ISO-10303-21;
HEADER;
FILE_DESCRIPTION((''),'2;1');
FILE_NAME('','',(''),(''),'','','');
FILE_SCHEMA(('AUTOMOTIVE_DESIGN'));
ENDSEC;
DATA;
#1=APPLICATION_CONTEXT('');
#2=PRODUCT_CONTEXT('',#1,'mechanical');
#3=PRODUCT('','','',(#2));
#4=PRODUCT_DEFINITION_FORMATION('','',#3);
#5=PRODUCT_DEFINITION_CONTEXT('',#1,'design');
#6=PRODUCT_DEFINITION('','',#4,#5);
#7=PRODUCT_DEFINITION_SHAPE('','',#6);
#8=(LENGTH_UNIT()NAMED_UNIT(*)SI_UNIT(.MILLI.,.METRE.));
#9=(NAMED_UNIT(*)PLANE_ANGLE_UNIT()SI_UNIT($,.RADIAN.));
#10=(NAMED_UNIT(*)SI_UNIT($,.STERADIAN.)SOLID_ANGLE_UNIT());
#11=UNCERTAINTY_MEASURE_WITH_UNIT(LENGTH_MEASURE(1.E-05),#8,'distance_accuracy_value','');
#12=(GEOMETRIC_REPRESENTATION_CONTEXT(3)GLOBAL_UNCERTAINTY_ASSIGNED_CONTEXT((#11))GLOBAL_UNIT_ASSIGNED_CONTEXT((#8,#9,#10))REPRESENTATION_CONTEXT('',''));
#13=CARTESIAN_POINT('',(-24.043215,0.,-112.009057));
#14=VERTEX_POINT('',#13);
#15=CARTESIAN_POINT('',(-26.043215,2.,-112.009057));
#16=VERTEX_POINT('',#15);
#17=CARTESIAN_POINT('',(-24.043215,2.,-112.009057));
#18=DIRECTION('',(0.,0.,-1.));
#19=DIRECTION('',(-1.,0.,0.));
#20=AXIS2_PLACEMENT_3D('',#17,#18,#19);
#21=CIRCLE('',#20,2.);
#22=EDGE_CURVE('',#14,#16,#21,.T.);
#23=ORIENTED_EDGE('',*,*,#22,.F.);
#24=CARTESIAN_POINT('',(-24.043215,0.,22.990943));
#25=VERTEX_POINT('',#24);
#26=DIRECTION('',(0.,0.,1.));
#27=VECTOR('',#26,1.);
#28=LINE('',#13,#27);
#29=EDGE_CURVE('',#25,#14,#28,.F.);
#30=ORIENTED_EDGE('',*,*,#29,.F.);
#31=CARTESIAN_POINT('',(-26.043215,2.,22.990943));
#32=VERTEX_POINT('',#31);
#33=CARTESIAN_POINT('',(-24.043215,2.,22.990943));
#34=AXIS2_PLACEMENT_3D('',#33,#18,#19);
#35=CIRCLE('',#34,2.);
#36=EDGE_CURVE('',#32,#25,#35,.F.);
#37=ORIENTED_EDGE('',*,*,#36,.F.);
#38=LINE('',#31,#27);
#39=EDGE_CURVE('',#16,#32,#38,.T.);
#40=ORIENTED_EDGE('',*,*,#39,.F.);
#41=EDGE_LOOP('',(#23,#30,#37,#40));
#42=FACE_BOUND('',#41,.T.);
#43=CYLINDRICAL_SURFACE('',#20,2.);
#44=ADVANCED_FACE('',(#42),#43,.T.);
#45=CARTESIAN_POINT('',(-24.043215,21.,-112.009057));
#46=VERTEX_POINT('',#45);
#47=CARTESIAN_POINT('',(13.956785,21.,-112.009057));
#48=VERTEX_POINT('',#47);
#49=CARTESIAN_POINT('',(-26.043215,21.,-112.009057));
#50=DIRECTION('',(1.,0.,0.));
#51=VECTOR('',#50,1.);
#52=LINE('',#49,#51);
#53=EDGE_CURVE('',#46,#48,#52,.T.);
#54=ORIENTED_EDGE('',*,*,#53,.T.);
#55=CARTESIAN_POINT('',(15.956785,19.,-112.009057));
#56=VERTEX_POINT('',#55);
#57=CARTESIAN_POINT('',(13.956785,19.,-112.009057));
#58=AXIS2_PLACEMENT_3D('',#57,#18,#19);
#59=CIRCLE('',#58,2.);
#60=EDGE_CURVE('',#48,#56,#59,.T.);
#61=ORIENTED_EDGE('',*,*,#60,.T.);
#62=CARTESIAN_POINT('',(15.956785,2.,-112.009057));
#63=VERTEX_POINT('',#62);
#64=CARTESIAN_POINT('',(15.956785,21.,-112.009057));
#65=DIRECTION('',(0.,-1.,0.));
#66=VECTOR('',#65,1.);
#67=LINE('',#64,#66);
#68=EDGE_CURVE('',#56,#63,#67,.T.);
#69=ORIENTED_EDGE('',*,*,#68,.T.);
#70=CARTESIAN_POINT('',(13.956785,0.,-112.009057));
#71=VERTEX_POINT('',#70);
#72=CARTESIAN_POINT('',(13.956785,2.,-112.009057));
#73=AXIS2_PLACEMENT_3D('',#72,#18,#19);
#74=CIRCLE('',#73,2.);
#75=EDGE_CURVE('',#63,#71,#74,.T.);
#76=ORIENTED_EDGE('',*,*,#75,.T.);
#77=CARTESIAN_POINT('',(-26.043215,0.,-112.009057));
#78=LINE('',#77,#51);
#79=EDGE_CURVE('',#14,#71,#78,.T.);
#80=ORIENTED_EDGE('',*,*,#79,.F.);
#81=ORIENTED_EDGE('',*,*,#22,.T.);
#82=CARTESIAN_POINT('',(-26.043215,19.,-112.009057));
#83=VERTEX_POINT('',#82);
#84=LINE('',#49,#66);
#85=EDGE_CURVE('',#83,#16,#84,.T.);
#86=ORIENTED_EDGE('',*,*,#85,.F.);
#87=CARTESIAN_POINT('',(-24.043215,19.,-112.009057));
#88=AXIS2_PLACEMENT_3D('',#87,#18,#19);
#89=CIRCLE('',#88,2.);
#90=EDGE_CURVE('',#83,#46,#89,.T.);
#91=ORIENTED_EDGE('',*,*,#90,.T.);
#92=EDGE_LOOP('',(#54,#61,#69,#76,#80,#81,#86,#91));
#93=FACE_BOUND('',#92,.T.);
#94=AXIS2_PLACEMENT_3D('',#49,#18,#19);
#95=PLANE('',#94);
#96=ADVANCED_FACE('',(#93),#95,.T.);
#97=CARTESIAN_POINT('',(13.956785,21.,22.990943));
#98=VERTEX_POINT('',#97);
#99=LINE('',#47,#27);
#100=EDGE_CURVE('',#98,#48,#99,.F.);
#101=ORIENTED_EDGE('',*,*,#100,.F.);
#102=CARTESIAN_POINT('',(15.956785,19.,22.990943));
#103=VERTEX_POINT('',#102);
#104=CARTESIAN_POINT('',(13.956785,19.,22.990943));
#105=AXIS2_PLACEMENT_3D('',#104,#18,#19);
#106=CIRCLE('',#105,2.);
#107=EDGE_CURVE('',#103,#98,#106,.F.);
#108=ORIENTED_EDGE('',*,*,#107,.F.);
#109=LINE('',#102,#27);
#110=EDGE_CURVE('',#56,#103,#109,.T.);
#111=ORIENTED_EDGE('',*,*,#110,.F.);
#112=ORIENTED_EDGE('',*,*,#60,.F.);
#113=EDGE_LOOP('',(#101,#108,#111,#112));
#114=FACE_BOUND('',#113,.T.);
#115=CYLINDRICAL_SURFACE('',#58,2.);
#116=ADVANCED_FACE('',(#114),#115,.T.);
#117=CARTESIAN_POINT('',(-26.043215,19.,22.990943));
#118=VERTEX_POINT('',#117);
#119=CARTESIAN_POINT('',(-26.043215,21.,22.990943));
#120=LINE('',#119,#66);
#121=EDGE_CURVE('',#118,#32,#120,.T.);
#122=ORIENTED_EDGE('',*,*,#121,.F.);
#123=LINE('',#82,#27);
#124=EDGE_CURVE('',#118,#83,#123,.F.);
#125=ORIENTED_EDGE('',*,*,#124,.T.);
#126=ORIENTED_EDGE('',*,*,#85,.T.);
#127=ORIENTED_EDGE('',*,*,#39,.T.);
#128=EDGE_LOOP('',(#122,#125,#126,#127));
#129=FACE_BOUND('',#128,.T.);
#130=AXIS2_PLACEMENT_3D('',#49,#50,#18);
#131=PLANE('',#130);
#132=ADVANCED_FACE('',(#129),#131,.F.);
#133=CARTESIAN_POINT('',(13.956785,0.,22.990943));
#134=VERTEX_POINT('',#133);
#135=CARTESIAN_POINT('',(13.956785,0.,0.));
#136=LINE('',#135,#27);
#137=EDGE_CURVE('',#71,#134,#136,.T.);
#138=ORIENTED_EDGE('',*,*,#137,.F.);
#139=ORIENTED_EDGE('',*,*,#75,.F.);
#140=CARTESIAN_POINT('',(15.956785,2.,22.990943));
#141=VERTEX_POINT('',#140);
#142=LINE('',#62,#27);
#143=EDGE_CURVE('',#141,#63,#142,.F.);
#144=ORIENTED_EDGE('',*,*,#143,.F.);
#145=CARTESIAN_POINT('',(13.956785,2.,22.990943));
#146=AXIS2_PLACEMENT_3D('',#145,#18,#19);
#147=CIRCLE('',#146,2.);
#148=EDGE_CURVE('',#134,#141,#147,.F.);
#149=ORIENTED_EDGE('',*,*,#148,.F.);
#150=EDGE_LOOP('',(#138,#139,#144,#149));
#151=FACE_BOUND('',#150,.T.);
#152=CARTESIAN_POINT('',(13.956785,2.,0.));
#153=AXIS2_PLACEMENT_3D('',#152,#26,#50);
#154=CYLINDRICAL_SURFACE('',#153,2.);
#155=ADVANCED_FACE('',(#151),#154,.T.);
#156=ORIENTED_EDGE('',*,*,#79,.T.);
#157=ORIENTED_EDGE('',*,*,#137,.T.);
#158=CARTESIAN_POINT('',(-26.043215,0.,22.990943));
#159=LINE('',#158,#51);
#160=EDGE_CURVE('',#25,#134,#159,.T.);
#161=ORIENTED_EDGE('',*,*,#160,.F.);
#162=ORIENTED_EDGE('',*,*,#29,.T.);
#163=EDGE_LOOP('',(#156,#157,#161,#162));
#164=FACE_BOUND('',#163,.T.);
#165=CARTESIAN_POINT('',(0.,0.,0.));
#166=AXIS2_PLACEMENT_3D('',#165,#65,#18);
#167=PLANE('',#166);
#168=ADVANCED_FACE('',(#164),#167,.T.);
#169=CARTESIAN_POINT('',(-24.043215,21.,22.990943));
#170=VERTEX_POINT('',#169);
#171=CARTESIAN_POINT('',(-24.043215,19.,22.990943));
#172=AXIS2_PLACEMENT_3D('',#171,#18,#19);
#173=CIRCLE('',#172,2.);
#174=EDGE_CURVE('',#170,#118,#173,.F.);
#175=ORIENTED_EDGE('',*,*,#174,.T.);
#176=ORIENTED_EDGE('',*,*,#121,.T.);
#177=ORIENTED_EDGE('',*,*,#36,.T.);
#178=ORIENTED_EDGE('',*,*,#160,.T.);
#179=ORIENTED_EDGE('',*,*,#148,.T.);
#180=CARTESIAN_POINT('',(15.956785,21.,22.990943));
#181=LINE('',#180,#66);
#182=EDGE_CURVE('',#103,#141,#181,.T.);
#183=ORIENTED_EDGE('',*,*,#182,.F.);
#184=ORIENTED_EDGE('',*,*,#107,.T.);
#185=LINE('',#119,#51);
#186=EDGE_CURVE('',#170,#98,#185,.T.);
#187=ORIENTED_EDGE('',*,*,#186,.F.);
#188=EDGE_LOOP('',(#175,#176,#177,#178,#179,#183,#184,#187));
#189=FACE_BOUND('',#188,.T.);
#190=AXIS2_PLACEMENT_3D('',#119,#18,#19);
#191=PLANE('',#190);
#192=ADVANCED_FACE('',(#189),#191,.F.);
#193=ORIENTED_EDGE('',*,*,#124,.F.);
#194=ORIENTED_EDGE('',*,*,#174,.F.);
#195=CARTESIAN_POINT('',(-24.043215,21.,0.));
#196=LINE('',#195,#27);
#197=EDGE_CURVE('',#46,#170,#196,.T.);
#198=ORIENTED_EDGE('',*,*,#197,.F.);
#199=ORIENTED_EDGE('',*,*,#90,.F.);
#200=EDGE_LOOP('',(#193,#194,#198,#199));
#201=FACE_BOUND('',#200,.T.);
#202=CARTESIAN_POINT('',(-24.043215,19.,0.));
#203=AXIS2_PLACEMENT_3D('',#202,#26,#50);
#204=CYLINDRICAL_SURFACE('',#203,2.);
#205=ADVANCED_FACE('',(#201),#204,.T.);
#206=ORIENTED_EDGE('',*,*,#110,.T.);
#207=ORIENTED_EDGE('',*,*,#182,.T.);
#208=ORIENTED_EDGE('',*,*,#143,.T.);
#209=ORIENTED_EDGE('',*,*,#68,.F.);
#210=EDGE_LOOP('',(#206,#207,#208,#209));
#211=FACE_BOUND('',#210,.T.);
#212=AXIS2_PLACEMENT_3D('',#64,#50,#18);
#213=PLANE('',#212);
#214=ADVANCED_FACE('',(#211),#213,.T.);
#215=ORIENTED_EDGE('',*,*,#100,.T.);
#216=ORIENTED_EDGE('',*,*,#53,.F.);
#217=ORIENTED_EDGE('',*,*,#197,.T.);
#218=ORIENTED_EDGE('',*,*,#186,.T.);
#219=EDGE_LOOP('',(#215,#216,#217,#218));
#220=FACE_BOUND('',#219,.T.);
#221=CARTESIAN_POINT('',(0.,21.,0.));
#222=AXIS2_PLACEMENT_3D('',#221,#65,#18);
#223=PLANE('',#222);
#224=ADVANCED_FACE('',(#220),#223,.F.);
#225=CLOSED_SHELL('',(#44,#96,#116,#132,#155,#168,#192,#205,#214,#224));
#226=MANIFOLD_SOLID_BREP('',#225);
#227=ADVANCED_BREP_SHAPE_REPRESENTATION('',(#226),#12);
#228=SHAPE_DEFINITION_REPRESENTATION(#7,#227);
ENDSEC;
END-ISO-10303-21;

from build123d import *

# Parameters (mm, degrees)
SKETCH1_W           = 42
SKETCH1_H           = 135
BOSS_EXTRUDE1_DEPTH = 21
FILLET1_R           = 2


with BuildPart() as part:
    # Sketch1 → Boss-Extrude1 (new body)
    with BuildSketch(Plane(origin=(0, 0, 0), x_dir=(1, 0, 0), z_dir=(0, 1, 0))):
        with Locations((-5.0432147, 44.509057316)):
            Rectangle(SKETCH1_W, SKETCH1_H)
    extrude(amount=BOSS_EXTRUDE1_DEPTH)

    # Fillet1
    fillet1_edges = [part.edges().sort_by_distance(p)[0] for p in [
        (-26.0432147, 21, -44.509057316),
        (-26.0432147, 0, -44.509057316),
        (15.9567853, 0, -44.509057316),
        (15.9567853, 21, -44.509057316),
    ]]
    fillet(fillet1_edges, radius=FILLET1_R)


solid = part.part
